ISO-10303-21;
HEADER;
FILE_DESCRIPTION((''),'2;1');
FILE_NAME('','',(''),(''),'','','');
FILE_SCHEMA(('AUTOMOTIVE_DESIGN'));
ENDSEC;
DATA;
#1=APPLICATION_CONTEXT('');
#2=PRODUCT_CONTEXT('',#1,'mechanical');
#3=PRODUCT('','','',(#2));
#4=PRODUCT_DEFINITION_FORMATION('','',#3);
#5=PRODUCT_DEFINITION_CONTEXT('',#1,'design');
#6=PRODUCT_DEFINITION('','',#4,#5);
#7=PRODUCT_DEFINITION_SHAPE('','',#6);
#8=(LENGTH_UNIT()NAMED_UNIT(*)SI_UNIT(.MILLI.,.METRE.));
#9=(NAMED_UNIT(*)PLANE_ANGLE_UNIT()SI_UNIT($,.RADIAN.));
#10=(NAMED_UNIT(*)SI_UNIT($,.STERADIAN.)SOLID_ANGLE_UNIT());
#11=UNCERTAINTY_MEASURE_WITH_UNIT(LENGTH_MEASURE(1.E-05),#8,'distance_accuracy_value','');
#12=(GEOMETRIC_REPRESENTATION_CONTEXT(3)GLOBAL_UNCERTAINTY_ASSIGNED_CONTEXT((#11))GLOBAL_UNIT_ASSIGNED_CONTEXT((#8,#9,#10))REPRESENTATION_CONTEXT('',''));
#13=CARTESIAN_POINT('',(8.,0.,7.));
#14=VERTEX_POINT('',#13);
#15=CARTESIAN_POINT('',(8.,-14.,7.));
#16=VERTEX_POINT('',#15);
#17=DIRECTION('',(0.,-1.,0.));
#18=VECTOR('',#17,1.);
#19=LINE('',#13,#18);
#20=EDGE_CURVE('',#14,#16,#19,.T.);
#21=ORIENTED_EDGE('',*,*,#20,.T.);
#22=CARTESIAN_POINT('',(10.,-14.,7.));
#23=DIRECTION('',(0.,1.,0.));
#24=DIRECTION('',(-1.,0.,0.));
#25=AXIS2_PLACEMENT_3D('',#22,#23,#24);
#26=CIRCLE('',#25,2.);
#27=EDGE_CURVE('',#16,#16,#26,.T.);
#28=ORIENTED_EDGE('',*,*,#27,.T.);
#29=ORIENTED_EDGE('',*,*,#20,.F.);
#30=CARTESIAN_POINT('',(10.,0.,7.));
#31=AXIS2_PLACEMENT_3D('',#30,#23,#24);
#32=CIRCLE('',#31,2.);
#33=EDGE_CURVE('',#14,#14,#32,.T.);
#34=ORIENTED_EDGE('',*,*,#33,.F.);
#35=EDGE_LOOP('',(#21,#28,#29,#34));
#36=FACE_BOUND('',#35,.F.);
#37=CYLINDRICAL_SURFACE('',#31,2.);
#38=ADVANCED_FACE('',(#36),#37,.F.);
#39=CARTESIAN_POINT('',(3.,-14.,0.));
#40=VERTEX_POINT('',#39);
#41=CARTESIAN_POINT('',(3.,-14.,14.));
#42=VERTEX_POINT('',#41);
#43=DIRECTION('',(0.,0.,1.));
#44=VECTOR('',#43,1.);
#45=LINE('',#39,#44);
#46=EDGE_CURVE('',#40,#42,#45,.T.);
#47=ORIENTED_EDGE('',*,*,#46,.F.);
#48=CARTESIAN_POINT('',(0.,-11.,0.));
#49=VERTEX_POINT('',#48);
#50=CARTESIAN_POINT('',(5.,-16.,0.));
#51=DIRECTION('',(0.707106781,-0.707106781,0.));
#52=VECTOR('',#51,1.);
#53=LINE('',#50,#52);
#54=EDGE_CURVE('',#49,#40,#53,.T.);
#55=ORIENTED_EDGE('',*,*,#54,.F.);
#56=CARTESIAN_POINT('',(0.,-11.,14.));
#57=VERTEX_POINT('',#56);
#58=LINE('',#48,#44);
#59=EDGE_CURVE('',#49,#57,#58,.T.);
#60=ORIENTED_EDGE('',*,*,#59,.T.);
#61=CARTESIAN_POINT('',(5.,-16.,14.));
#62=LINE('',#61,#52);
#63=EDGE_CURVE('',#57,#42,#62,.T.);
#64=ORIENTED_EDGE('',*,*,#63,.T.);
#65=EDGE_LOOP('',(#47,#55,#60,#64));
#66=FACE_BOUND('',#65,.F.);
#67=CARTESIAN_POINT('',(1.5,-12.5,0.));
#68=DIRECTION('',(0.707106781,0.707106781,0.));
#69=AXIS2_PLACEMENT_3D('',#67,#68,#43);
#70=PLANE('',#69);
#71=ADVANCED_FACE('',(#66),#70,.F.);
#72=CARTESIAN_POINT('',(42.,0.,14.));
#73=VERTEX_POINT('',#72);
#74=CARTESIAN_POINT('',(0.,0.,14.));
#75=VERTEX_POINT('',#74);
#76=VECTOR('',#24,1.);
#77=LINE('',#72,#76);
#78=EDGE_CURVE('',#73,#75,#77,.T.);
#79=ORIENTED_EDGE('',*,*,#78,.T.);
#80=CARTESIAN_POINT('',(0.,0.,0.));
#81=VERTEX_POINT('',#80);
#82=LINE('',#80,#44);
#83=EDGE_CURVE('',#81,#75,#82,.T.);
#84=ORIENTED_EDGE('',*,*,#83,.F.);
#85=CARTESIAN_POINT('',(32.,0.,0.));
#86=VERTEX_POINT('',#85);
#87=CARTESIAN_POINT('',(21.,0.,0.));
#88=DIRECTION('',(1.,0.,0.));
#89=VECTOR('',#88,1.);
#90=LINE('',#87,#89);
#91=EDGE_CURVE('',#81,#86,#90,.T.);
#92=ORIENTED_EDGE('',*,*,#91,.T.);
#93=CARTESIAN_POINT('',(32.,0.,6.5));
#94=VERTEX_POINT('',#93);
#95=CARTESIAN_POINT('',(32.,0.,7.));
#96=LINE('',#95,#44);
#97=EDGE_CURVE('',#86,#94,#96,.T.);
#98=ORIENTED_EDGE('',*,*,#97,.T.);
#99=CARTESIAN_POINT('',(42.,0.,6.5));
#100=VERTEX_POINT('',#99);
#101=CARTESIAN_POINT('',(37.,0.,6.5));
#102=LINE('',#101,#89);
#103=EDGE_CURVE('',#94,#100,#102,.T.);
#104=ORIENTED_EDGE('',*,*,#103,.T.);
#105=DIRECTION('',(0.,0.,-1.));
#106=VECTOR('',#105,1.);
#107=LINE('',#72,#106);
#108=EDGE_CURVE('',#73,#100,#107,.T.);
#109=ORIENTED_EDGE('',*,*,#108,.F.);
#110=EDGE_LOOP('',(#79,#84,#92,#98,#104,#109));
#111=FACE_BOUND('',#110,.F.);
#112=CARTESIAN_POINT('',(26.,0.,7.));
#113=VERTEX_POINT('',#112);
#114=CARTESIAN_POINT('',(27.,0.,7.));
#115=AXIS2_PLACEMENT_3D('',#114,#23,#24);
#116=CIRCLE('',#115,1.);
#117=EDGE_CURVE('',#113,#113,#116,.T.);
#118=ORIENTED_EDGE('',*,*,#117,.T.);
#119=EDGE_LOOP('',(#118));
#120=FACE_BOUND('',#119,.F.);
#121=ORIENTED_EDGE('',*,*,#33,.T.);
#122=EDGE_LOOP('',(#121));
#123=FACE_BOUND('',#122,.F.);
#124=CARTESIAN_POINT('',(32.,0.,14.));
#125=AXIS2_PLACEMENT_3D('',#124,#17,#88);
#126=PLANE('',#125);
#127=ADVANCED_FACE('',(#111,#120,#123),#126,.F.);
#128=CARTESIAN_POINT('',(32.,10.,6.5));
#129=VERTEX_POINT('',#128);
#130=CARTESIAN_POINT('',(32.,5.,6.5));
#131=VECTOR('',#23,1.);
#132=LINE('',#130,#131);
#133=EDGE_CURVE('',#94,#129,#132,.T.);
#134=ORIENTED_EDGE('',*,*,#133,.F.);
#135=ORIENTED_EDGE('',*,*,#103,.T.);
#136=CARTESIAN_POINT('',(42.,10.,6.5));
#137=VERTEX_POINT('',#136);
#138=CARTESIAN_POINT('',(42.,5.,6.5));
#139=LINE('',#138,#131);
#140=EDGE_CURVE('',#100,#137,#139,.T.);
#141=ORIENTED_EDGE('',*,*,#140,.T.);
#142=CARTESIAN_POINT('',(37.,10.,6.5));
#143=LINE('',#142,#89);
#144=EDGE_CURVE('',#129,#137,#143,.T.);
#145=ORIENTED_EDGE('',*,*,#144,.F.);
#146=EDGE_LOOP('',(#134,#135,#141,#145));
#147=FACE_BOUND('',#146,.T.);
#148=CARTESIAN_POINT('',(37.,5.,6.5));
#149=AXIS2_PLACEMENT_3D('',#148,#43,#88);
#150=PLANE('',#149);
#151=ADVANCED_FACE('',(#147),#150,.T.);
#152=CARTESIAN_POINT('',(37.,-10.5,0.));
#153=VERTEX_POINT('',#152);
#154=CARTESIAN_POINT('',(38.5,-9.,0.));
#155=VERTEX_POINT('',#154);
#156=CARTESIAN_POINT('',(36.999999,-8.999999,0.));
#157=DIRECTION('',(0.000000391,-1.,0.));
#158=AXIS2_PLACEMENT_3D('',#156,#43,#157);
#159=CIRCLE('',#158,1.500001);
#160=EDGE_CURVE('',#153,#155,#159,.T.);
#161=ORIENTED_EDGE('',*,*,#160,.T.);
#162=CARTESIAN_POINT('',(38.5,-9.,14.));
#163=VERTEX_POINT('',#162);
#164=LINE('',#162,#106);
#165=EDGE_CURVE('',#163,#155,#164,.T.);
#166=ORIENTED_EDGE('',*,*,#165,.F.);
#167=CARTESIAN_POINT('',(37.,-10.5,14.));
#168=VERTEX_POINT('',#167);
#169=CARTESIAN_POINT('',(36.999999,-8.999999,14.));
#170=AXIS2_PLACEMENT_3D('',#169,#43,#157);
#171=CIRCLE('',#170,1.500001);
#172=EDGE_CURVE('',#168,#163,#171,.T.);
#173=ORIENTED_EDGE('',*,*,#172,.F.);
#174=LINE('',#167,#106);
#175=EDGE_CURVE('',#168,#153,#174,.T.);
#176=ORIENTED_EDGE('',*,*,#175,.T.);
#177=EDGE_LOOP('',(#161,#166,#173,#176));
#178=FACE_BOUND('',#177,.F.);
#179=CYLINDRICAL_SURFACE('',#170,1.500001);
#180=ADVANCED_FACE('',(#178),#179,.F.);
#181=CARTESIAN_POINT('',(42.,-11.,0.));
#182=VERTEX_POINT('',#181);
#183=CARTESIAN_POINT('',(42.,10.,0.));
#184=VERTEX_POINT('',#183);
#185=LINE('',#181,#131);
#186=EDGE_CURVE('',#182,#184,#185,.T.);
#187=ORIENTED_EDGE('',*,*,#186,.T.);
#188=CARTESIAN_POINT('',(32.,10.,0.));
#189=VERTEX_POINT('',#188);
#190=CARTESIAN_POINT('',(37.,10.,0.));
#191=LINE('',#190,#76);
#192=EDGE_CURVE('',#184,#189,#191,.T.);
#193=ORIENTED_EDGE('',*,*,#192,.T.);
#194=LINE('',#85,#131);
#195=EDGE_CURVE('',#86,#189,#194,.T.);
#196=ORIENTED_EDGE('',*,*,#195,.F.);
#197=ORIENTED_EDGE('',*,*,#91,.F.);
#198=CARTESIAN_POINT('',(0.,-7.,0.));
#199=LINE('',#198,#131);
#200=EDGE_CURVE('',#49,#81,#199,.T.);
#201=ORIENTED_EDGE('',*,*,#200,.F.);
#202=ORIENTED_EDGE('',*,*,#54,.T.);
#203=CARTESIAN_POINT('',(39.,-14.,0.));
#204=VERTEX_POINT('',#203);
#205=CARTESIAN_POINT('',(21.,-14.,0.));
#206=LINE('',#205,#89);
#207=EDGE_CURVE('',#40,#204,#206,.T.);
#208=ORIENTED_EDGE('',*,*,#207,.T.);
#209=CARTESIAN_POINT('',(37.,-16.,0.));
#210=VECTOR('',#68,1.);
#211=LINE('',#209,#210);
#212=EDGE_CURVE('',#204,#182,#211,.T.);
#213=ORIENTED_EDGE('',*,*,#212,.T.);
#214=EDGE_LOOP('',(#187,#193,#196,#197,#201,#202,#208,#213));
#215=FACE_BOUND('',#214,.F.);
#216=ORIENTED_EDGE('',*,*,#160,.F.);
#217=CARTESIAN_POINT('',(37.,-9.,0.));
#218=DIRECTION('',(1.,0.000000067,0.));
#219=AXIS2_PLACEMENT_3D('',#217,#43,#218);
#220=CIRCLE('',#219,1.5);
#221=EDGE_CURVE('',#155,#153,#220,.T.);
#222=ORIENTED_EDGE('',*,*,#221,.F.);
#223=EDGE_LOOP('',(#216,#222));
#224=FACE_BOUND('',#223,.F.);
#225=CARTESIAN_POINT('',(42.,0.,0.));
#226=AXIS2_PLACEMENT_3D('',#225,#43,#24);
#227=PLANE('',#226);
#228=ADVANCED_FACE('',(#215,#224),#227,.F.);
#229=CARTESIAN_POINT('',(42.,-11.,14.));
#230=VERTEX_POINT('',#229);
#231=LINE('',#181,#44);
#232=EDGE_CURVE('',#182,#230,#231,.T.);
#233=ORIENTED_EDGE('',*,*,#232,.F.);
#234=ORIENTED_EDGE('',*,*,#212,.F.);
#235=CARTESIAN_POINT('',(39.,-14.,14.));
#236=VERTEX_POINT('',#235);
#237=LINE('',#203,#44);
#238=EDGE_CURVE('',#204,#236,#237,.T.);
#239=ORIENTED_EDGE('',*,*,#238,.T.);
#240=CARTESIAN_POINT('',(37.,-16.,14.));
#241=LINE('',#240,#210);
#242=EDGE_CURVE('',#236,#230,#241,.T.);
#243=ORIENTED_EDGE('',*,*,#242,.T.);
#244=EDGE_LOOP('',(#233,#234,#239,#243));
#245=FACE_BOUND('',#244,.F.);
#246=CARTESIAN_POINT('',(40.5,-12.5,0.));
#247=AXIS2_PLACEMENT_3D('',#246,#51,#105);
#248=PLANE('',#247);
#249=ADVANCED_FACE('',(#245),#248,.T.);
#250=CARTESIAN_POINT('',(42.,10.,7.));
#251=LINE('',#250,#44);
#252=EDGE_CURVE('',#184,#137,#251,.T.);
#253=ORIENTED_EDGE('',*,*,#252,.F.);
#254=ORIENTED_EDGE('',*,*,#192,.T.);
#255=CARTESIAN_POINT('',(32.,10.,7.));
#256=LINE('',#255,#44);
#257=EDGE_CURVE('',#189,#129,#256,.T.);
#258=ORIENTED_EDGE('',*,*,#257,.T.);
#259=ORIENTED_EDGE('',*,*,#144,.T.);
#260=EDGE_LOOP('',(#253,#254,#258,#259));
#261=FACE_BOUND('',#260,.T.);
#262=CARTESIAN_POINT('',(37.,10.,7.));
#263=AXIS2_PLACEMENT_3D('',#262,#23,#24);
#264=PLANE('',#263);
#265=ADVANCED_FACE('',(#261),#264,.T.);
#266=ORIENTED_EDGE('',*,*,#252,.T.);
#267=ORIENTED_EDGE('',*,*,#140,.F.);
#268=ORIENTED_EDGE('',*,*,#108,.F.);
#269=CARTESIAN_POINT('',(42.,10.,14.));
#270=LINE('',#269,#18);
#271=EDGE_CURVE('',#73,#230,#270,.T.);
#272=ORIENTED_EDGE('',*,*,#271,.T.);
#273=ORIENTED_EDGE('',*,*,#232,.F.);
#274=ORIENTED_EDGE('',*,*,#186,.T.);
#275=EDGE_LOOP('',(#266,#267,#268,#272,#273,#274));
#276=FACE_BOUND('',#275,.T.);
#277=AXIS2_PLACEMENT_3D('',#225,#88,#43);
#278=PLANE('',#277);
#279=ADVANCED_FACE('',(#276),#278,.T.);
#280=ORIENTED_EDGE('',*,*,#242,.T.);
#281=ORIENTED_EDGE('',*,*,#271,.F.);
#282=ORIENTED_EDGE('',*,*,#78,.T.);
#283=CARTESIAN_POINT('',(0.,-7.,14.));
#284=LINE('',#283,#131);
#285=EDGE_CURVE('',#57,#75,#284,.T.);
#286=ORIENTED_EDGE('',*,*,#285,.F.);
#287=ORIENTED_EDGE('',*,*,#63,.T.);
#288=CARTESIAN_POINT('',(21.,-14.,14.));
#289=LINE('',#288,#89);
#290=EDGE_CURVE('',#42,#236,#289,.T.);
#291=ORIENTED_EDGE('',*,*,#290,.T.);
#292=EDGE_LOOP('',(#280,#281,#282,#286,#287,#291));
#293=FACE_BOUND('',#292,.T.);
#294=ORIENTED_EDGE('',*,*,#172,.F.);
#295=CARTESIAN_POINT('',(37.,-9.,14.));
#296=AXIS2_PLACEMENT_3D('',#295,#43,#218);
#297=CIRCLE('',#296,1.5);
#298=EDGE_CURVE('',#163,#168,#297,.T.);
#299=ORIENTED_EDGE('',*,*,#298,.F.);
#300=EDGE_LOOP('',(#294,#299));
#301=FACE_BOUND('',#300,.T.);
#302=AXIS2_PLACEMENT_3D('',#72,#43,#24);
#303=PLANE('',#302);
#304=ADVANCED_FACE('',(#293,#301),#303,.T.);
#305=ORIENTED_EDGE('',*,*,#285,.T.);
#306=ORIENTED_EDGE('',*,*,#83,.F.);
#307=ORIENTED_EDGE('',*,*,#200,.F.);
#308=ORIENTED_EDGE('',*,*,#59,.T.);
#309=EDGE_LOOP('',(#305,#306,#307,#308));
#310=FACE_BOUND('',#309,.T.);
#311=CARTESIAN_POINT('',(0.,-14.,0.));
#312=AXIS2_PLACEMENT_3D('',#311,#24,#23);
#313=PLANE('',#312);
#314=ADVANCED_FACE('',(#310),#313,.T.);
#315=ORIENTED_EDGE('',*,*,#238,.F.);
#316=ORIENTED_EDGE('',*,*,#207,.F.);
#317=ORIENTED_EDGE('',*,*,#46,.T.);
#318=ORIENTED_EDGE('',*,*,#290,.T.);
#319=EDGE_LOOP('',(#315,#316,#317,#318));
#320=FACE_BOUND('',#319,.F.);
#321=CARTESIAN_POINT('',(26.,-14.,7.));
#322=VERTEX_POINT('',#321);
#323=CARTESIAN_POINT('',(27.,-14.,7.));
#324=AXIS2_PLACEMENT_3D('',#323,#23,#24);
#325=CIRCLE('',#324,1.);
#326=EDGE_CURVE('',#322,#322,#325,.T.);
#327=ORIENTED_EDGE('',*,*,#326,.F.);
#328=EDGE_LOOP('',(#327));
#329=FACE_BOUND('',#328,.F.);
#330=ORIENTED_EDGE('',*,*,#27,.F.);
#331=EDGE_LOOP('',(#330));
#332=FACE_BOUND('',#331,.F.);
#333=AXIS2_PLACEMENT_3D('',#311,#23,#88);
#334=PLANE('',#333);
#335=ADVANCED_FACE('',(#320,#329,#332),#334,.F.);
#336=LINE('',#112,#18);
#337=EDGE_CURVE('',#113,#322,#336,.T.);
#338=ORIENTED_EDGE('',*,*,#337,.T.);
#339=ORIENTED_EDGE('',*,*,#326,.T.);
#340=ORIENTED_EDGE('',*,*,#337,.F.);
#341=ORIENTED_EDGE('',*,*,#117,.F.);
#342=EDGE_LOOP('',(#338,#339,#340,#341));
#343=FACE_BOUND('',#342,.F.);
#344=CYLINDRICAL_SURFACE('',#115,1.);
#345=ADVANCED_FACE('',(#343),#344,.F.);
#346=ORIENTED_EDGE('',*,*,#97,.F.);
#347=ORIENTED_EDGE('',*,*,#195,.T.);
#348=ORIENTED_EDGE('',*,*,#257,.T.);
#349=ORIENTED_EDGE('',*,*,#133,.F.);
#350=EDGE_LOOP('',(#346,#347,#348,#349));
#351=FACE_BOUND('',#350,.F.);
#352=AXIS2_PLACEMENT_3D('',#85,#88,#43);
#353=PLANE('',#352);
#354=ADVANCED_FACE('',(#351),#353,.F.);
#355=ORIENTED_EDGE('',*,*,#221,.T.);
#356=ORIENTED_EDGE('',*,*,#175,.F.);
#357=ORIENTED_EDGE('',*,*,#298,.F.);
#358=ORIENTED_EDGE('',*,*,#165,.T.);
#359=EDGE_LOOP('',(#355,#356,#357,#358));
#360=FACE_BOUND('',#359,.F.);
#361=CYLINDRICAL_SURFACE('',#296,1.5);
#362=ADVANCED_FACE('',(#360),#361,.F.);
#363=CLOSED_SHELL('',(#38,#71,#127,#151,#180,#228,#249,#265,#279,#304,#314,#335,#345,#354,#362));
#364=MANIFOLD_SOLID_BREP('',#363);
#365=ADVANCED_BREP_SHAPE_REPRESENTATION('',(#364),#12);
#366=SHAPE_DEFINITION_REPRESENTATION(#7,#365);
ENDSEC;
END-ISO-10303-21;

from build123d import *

# Parameters (mm, degrees)
F0_W      = 42
F0_H      = 14
F1_DEPTH  = 14
F3_DEPTH  = 25
F4_SIZE   = 3
F5_R      = 2
F6_DEPTH  = 25
F7_DEPTH  = 25
F8_W      = 10
F8_H      = 14
F9_DEPTH  = 10
F10_W     = 10
F10_H     = 10
F11_DEPTH = 7.5


with BuildPart() as f1:
    # F0 (on Top) → F1 (new body)
    with BuildSketch(Plane.XY):
        with Locations((21, -7)):
            Rectangle(F0_W, F0_H)
    extrude(amount=F1_DEPTH)

    # F2 (on face) → F3 (cut)
    with BuildSketch(Plane.XY.offset(14)):
        with BuildLine():
            ThreePointArc((37, -10.5), (38.06066, -10.06066), (38.5, -9))
            ThreePointArc((38.5, -9), (35.93934, -7.93934), (37, -10.5))
        make_face()
    extrude(amount=-F3_DEPTH, mode=Mode.SUBTRACT)

    # F4
    f4_edges = [f1.edges().sort_by_distance(p)[0] for p in [
        (0, -14, 7),
        (42, -14, 7),
    ]]
    chamfer(f4_edges, length=F4_SIZE)

    # F5 (on face) → F6 (cut)
    with BuildSketch(Plane(origin=(0, 0, 0), x_dir=(-1, 0, 0), z_dir=(0, 1, 0))):
        with BuildLine():
            ThreePointArc((-28, 7), (-27, 6), (-26, 7))
            ThreePointArc((-26, 7), (-27, 8), (-28, 7))
        make_face()
        with Locations((-10, 7)):
            Circle(F5_R)
    extrude(amount=-F6_DEPTH, mode=Mode.SUBTRACT)

    # F5 (on face) → F7 (cut)
    with BuildSketch(Plane(origin=(0, 0, 0), x_dir=(-1, 0, 0), z_dir=(0, 1, 0))):
        with BuildLine():
            ThreePointArc((-28, 7), (-27, 6), (-26, 7))
            ThreePointArc((-26, 7), (-27, 8), (-28, 7))
        make_face()
        with Locations((-10, 7)):
            Circle(F5_R)
    extrude(amount=-F7_DEPTH, mode=Mode.SUBTRACT)

    # F8 (on face) → F9 (join)
    with BuildSketch(Plane(origin=(0, 0, 0), x_dir=(-1, 0, 0), z_dir=(0, 1, 0))):
        with Locations((-37, 7)):
            Rectangle(F8_W, F8_H)
    extrude(amount=F9_DEPTH)

    # F10 (on face) → F11 (cut)
    with BuildSketch(Plane.XY.offset(14)):
        with Locations((37, 5)):
            Rectangle(F10_W, F10_H)
    extrude(amount=-F11_DEPTH, mode=Mode.SUBTRACT)


solid = f1.part
